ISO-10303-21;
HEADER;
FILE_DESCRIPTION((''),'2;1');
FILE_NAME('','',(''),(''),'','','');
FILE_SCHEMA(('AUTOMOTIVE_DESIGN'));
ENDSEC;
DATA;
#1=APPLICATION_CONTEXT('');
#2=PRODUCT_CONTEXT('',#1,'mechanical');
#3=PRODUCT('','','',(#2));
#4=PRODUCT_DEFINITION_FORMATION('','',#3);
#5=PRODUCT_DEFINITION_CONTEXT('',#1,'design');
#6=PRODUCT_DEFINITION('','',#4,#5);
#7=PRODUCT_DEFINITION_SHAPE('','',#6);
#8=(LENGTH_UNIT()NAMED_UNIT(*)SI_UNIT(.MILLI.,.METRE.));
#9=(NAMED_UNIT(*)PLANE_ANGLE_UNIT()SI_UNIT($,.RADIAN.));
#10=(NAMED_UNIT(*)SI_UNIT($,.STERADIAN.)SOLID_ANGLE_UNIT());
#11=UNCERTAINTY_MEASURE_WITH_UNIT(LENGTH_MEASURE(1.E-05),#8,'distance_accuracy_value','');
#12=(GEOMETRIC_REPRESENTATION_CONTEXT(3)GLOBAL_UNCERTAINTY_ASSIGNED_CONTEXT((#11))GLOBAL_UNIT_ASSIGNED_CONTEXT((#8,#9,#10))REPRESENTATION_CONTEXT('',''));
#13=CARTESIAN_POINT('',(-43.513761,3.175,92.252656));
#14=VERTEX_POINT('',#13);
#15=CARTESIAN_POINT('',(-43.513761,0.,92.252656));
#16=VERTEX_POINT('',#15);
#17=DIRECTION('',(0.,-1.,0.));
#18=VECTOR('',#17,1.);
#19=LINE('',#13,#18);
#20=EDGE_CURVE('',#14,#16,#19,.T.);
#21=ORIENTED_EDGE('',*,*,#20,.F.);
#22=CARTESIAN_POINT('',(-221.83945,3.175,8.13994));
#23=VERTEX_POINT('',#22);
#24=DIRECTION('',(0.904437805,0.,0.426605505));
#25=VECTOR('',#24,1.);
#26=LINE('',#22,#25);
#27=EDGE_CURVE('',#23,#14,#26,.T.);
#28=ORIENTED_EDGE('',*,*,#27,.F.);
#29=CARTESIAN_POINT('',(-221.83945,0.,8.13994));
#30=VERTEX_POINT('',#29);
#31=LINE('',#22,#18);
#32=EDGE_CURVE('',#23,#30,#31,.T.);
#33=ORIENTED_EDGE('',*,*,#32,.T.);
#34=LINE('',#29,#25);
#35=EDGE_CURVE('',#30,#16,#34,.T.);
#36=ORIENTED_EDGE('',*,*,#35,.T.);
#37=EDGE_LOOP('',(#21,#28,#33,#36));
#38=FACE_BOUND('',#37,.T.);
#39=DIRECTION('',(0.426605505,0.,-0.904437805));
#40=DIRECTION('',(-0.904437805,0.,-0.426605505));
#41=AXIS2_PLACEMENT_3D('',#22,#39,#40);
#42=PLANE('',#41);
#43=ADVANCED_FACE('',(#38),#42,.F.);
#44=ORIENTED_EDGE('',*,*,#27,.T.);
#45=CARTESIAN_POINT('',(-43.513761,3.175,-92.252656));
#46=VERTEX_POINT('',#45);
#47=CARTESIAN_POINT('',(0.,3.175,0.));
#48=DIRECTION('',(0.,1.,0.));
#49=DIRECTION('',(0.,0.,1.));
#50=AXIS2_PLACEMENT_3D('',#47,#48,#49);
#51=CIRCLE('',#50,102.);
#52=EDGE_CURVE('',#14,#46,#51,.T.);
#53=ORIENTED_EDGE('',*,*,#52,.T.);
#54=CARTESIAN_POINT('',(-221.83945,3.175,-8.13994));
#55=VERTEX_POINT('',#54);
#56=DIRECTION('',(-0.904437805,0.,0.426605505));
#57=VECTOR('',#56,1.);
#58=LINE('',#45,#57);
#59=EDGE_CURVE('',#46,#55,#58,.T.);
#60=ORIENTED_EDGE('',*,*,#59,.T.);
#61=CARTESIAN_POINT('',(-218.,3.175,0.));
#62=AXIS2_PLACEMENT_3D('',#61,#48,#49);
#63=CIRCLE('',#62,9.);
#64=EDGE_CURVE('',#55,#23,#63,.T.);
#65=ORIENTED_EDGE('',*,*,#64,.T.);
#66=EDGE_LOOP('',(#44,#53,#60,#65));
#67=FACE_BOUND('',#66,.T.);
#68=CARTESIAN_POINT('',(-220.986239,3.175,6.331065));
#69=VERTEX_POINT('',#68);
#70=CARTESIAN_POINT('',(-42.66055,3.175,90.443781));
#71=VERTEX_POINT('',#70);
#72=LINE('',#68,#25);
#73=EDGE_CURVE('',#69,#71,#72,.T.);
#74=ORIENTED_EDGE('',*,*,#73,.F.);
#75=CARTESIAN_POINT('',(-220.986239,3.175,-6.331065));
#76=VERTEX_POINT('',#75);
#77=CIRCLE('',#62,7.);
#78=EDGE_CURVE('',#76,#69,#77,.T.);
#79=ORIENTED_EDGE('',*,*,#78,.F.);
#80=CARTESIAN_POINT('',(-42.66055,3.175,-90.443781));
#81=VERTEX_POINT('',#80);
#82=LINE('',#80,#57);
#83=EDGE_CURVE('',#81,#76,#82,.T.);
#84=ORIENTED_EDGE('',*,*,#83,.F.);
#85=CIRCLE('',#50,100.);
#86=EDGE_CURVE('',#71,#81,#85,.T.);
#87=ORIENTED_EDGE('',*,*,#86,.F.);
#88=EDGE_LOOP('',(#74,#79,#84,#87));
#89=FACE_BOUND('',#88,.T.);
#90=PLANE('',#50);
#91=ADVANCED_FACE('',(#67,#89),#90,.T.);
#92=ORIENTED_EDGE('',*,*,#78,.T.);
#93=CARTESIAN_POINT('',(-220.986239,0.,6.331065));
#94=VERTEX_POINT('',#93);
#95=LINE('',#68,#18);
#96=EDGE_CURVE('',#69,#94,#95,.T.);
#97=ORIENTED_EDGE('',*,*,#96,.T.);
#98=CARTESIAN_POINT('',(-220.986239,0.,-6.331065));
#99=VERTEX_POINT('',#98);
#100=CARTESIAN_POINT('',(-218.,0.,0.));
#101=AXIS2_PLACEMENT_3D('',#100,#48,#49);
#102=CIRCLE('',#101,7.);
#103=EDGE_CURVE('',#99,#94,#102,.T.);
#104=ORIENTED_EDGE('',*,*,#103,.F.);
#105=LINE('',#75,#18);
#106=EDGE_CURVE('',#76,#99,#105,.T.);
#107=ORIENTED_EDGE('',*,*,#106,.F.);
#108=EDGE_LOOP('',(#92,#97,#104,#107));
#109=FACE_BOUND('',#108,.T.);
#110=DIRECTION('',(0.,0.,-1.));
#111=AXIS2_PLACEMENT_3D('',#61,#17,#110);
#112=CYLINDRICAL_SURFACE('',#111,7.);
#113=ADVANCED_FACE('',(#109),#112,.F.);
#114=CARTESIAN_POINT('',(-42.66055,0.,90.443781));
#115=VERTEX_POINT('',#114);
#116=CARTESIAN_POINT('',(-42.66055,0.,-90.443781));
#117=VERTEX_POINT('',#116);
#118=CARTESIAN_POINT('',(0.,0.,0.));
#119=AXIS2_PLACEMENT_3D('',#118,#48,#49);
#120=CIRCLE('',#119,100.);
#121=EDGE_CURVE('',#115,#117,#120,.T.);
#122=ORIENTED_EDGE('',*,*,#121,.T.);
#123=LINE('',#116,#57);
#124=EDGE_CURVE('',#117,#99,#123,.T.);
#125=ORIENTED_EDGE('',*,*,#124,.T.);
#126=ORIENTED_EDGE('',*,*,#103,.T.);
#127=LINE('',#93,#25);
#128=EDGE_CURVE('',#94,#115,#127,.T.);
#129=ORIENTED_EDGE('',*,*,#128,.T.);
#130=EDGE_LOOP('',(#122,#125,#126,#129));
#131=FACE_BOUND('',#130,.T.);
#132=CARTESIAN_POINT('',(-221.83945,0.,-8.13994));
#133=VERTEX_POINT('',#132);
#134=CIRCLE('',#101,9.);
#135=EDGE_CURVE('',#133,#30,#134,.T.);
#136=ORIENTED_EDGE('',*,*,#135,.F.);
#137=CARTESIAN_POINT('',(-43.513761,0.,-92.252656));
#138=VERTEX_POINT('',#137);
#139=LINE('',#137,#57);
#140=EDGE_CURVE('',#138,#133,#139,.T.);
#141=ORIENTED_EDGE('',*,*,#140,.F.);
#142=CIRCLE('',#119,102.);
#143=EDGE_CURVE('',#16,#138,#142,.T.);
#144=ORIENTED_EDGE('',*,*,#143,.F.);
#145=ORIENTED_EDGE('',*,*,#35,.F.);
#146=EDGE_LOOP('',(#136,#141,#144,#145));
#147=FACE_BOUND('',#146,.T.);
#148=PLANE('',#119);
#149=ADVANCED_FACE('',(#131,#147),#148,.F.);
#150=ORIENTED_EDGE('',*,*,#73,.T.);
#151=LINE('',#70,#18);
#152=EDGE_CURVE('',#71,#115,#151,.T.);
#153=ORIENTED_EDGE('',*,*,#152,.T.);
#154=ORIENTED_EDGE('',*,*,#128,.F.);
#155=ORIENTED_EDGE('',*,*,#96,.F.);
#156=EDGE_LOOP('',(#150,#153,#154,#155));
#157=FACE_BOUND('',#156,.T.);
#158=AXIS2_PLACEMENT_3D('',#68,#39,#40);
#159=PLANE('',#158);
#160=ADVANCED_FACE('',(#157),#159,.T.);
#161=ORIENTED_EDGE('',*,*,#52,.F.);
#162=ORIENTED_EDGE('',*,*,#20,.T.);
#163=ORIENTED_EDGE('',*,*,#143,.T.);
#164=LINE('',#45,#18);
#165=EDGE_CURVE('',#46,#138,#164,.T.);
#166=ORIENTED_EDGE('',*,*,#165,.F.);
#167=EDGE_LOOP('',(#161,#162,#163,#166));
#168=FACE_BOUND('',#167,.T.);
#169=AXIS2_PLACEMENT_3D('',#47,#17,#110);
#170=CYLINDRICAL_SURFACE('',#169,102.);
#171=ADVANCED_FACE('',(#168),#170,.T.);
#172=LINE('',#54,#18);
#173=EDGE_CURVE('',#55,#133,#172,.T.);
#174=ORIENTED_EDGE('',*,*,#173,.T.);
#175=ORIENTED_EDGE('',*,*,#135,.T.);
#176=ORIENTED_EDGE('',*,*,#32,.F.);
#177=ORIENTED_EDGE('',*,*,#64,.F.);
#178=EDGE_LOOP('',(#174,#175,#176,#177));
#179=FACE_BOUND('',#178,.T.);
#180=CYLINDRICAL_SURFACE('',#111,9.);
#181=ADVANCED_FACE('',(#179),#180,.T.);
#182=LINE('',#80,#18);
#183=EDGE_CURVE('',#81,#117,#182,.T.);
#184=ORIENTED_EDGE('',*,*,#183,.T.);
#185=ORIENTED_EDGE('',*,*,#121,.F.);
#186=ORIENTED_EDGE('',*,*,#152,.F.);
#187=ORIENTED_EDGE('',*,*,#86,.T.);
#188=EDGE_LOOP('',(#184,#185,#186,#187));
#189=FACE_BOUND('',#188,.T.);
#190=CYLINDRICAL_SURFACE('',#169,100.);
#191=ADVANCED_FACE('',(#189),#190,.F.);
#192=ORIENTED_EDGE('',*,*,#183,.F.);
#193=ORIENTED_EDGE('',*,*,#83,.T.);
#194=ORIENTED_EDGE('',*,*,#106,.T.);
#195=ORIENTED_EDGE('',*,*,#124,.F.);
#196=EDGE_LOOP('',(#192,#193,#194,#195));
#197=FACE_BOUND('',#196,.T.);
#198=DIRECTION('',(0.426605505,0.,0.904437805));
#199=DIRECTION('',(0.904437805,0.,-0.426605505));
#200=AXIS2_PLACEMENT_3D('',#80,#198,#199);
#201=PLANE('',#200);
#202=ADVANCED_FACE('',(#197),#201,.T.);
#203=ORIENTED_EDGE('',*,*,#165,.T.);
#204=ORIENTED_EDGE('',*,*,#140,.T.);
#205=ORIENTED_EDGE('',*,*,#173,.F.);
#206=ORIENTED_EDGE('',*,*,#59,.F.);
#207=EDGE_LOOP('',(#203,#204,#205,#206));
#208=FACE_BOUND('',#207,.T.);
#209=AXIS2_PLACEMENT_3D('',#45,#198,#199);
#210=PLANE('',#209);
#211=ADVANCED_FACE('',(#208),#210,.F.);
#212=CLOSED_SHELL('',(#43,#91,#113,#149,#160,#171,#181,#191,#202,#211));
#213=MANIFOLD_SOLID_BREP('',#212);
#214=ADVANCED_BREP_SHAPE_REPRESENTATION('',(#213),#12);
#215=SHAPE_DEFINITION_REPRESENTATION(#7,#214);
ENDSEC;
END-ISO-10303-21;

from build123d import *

# Parameters (mm, degrees)
BOSS_EXTRUDE1_DEPTH = 3.175


with BuildPart() as part:
    # Sketch1 → Boss-Extrude1 (new body)
    with BuildSketch(Plane(origin=(0, 0, 0), x_dir=(1, 0, 0), z_dir=(0, 1, 0))):
        with BuildLine():
            Line((-43.513761468, 92.252656129), (-221.839449541, 8.139940247))
            ThreePointArc((-221.839449541, 8.139940247), (-227, 0), (-221.839449541, -8.139940247))
            Line((-221.839449541, -8.139940247), (-43.513761468, -92.252656129))
            ThreePointArc((-43.513761468, -92.252656129), (102, 0), (-43.513761468, 92.252656129))
        make_face()
        with BuildLine():
            Line((-42.660550459, 90.443780519), (-220.986238532, 6.331064636))
            ThreePointArc((-220.986238532, 6.331064636), (-225, 0), (-220.986238532, -6.331064636))
            Line((-220.986238532, -6.331064636), (-42.660550459, -90.443780519))
            ThreePointArc((-42.660550459, -90.443780519), (100, 0), (-42.660550459, 90.443780519))
        make_face(mode=Mode.SUBTRACT)
    extrude(amount=BOSS_EXTRUDE1_DEPTH)


solid = part.part
